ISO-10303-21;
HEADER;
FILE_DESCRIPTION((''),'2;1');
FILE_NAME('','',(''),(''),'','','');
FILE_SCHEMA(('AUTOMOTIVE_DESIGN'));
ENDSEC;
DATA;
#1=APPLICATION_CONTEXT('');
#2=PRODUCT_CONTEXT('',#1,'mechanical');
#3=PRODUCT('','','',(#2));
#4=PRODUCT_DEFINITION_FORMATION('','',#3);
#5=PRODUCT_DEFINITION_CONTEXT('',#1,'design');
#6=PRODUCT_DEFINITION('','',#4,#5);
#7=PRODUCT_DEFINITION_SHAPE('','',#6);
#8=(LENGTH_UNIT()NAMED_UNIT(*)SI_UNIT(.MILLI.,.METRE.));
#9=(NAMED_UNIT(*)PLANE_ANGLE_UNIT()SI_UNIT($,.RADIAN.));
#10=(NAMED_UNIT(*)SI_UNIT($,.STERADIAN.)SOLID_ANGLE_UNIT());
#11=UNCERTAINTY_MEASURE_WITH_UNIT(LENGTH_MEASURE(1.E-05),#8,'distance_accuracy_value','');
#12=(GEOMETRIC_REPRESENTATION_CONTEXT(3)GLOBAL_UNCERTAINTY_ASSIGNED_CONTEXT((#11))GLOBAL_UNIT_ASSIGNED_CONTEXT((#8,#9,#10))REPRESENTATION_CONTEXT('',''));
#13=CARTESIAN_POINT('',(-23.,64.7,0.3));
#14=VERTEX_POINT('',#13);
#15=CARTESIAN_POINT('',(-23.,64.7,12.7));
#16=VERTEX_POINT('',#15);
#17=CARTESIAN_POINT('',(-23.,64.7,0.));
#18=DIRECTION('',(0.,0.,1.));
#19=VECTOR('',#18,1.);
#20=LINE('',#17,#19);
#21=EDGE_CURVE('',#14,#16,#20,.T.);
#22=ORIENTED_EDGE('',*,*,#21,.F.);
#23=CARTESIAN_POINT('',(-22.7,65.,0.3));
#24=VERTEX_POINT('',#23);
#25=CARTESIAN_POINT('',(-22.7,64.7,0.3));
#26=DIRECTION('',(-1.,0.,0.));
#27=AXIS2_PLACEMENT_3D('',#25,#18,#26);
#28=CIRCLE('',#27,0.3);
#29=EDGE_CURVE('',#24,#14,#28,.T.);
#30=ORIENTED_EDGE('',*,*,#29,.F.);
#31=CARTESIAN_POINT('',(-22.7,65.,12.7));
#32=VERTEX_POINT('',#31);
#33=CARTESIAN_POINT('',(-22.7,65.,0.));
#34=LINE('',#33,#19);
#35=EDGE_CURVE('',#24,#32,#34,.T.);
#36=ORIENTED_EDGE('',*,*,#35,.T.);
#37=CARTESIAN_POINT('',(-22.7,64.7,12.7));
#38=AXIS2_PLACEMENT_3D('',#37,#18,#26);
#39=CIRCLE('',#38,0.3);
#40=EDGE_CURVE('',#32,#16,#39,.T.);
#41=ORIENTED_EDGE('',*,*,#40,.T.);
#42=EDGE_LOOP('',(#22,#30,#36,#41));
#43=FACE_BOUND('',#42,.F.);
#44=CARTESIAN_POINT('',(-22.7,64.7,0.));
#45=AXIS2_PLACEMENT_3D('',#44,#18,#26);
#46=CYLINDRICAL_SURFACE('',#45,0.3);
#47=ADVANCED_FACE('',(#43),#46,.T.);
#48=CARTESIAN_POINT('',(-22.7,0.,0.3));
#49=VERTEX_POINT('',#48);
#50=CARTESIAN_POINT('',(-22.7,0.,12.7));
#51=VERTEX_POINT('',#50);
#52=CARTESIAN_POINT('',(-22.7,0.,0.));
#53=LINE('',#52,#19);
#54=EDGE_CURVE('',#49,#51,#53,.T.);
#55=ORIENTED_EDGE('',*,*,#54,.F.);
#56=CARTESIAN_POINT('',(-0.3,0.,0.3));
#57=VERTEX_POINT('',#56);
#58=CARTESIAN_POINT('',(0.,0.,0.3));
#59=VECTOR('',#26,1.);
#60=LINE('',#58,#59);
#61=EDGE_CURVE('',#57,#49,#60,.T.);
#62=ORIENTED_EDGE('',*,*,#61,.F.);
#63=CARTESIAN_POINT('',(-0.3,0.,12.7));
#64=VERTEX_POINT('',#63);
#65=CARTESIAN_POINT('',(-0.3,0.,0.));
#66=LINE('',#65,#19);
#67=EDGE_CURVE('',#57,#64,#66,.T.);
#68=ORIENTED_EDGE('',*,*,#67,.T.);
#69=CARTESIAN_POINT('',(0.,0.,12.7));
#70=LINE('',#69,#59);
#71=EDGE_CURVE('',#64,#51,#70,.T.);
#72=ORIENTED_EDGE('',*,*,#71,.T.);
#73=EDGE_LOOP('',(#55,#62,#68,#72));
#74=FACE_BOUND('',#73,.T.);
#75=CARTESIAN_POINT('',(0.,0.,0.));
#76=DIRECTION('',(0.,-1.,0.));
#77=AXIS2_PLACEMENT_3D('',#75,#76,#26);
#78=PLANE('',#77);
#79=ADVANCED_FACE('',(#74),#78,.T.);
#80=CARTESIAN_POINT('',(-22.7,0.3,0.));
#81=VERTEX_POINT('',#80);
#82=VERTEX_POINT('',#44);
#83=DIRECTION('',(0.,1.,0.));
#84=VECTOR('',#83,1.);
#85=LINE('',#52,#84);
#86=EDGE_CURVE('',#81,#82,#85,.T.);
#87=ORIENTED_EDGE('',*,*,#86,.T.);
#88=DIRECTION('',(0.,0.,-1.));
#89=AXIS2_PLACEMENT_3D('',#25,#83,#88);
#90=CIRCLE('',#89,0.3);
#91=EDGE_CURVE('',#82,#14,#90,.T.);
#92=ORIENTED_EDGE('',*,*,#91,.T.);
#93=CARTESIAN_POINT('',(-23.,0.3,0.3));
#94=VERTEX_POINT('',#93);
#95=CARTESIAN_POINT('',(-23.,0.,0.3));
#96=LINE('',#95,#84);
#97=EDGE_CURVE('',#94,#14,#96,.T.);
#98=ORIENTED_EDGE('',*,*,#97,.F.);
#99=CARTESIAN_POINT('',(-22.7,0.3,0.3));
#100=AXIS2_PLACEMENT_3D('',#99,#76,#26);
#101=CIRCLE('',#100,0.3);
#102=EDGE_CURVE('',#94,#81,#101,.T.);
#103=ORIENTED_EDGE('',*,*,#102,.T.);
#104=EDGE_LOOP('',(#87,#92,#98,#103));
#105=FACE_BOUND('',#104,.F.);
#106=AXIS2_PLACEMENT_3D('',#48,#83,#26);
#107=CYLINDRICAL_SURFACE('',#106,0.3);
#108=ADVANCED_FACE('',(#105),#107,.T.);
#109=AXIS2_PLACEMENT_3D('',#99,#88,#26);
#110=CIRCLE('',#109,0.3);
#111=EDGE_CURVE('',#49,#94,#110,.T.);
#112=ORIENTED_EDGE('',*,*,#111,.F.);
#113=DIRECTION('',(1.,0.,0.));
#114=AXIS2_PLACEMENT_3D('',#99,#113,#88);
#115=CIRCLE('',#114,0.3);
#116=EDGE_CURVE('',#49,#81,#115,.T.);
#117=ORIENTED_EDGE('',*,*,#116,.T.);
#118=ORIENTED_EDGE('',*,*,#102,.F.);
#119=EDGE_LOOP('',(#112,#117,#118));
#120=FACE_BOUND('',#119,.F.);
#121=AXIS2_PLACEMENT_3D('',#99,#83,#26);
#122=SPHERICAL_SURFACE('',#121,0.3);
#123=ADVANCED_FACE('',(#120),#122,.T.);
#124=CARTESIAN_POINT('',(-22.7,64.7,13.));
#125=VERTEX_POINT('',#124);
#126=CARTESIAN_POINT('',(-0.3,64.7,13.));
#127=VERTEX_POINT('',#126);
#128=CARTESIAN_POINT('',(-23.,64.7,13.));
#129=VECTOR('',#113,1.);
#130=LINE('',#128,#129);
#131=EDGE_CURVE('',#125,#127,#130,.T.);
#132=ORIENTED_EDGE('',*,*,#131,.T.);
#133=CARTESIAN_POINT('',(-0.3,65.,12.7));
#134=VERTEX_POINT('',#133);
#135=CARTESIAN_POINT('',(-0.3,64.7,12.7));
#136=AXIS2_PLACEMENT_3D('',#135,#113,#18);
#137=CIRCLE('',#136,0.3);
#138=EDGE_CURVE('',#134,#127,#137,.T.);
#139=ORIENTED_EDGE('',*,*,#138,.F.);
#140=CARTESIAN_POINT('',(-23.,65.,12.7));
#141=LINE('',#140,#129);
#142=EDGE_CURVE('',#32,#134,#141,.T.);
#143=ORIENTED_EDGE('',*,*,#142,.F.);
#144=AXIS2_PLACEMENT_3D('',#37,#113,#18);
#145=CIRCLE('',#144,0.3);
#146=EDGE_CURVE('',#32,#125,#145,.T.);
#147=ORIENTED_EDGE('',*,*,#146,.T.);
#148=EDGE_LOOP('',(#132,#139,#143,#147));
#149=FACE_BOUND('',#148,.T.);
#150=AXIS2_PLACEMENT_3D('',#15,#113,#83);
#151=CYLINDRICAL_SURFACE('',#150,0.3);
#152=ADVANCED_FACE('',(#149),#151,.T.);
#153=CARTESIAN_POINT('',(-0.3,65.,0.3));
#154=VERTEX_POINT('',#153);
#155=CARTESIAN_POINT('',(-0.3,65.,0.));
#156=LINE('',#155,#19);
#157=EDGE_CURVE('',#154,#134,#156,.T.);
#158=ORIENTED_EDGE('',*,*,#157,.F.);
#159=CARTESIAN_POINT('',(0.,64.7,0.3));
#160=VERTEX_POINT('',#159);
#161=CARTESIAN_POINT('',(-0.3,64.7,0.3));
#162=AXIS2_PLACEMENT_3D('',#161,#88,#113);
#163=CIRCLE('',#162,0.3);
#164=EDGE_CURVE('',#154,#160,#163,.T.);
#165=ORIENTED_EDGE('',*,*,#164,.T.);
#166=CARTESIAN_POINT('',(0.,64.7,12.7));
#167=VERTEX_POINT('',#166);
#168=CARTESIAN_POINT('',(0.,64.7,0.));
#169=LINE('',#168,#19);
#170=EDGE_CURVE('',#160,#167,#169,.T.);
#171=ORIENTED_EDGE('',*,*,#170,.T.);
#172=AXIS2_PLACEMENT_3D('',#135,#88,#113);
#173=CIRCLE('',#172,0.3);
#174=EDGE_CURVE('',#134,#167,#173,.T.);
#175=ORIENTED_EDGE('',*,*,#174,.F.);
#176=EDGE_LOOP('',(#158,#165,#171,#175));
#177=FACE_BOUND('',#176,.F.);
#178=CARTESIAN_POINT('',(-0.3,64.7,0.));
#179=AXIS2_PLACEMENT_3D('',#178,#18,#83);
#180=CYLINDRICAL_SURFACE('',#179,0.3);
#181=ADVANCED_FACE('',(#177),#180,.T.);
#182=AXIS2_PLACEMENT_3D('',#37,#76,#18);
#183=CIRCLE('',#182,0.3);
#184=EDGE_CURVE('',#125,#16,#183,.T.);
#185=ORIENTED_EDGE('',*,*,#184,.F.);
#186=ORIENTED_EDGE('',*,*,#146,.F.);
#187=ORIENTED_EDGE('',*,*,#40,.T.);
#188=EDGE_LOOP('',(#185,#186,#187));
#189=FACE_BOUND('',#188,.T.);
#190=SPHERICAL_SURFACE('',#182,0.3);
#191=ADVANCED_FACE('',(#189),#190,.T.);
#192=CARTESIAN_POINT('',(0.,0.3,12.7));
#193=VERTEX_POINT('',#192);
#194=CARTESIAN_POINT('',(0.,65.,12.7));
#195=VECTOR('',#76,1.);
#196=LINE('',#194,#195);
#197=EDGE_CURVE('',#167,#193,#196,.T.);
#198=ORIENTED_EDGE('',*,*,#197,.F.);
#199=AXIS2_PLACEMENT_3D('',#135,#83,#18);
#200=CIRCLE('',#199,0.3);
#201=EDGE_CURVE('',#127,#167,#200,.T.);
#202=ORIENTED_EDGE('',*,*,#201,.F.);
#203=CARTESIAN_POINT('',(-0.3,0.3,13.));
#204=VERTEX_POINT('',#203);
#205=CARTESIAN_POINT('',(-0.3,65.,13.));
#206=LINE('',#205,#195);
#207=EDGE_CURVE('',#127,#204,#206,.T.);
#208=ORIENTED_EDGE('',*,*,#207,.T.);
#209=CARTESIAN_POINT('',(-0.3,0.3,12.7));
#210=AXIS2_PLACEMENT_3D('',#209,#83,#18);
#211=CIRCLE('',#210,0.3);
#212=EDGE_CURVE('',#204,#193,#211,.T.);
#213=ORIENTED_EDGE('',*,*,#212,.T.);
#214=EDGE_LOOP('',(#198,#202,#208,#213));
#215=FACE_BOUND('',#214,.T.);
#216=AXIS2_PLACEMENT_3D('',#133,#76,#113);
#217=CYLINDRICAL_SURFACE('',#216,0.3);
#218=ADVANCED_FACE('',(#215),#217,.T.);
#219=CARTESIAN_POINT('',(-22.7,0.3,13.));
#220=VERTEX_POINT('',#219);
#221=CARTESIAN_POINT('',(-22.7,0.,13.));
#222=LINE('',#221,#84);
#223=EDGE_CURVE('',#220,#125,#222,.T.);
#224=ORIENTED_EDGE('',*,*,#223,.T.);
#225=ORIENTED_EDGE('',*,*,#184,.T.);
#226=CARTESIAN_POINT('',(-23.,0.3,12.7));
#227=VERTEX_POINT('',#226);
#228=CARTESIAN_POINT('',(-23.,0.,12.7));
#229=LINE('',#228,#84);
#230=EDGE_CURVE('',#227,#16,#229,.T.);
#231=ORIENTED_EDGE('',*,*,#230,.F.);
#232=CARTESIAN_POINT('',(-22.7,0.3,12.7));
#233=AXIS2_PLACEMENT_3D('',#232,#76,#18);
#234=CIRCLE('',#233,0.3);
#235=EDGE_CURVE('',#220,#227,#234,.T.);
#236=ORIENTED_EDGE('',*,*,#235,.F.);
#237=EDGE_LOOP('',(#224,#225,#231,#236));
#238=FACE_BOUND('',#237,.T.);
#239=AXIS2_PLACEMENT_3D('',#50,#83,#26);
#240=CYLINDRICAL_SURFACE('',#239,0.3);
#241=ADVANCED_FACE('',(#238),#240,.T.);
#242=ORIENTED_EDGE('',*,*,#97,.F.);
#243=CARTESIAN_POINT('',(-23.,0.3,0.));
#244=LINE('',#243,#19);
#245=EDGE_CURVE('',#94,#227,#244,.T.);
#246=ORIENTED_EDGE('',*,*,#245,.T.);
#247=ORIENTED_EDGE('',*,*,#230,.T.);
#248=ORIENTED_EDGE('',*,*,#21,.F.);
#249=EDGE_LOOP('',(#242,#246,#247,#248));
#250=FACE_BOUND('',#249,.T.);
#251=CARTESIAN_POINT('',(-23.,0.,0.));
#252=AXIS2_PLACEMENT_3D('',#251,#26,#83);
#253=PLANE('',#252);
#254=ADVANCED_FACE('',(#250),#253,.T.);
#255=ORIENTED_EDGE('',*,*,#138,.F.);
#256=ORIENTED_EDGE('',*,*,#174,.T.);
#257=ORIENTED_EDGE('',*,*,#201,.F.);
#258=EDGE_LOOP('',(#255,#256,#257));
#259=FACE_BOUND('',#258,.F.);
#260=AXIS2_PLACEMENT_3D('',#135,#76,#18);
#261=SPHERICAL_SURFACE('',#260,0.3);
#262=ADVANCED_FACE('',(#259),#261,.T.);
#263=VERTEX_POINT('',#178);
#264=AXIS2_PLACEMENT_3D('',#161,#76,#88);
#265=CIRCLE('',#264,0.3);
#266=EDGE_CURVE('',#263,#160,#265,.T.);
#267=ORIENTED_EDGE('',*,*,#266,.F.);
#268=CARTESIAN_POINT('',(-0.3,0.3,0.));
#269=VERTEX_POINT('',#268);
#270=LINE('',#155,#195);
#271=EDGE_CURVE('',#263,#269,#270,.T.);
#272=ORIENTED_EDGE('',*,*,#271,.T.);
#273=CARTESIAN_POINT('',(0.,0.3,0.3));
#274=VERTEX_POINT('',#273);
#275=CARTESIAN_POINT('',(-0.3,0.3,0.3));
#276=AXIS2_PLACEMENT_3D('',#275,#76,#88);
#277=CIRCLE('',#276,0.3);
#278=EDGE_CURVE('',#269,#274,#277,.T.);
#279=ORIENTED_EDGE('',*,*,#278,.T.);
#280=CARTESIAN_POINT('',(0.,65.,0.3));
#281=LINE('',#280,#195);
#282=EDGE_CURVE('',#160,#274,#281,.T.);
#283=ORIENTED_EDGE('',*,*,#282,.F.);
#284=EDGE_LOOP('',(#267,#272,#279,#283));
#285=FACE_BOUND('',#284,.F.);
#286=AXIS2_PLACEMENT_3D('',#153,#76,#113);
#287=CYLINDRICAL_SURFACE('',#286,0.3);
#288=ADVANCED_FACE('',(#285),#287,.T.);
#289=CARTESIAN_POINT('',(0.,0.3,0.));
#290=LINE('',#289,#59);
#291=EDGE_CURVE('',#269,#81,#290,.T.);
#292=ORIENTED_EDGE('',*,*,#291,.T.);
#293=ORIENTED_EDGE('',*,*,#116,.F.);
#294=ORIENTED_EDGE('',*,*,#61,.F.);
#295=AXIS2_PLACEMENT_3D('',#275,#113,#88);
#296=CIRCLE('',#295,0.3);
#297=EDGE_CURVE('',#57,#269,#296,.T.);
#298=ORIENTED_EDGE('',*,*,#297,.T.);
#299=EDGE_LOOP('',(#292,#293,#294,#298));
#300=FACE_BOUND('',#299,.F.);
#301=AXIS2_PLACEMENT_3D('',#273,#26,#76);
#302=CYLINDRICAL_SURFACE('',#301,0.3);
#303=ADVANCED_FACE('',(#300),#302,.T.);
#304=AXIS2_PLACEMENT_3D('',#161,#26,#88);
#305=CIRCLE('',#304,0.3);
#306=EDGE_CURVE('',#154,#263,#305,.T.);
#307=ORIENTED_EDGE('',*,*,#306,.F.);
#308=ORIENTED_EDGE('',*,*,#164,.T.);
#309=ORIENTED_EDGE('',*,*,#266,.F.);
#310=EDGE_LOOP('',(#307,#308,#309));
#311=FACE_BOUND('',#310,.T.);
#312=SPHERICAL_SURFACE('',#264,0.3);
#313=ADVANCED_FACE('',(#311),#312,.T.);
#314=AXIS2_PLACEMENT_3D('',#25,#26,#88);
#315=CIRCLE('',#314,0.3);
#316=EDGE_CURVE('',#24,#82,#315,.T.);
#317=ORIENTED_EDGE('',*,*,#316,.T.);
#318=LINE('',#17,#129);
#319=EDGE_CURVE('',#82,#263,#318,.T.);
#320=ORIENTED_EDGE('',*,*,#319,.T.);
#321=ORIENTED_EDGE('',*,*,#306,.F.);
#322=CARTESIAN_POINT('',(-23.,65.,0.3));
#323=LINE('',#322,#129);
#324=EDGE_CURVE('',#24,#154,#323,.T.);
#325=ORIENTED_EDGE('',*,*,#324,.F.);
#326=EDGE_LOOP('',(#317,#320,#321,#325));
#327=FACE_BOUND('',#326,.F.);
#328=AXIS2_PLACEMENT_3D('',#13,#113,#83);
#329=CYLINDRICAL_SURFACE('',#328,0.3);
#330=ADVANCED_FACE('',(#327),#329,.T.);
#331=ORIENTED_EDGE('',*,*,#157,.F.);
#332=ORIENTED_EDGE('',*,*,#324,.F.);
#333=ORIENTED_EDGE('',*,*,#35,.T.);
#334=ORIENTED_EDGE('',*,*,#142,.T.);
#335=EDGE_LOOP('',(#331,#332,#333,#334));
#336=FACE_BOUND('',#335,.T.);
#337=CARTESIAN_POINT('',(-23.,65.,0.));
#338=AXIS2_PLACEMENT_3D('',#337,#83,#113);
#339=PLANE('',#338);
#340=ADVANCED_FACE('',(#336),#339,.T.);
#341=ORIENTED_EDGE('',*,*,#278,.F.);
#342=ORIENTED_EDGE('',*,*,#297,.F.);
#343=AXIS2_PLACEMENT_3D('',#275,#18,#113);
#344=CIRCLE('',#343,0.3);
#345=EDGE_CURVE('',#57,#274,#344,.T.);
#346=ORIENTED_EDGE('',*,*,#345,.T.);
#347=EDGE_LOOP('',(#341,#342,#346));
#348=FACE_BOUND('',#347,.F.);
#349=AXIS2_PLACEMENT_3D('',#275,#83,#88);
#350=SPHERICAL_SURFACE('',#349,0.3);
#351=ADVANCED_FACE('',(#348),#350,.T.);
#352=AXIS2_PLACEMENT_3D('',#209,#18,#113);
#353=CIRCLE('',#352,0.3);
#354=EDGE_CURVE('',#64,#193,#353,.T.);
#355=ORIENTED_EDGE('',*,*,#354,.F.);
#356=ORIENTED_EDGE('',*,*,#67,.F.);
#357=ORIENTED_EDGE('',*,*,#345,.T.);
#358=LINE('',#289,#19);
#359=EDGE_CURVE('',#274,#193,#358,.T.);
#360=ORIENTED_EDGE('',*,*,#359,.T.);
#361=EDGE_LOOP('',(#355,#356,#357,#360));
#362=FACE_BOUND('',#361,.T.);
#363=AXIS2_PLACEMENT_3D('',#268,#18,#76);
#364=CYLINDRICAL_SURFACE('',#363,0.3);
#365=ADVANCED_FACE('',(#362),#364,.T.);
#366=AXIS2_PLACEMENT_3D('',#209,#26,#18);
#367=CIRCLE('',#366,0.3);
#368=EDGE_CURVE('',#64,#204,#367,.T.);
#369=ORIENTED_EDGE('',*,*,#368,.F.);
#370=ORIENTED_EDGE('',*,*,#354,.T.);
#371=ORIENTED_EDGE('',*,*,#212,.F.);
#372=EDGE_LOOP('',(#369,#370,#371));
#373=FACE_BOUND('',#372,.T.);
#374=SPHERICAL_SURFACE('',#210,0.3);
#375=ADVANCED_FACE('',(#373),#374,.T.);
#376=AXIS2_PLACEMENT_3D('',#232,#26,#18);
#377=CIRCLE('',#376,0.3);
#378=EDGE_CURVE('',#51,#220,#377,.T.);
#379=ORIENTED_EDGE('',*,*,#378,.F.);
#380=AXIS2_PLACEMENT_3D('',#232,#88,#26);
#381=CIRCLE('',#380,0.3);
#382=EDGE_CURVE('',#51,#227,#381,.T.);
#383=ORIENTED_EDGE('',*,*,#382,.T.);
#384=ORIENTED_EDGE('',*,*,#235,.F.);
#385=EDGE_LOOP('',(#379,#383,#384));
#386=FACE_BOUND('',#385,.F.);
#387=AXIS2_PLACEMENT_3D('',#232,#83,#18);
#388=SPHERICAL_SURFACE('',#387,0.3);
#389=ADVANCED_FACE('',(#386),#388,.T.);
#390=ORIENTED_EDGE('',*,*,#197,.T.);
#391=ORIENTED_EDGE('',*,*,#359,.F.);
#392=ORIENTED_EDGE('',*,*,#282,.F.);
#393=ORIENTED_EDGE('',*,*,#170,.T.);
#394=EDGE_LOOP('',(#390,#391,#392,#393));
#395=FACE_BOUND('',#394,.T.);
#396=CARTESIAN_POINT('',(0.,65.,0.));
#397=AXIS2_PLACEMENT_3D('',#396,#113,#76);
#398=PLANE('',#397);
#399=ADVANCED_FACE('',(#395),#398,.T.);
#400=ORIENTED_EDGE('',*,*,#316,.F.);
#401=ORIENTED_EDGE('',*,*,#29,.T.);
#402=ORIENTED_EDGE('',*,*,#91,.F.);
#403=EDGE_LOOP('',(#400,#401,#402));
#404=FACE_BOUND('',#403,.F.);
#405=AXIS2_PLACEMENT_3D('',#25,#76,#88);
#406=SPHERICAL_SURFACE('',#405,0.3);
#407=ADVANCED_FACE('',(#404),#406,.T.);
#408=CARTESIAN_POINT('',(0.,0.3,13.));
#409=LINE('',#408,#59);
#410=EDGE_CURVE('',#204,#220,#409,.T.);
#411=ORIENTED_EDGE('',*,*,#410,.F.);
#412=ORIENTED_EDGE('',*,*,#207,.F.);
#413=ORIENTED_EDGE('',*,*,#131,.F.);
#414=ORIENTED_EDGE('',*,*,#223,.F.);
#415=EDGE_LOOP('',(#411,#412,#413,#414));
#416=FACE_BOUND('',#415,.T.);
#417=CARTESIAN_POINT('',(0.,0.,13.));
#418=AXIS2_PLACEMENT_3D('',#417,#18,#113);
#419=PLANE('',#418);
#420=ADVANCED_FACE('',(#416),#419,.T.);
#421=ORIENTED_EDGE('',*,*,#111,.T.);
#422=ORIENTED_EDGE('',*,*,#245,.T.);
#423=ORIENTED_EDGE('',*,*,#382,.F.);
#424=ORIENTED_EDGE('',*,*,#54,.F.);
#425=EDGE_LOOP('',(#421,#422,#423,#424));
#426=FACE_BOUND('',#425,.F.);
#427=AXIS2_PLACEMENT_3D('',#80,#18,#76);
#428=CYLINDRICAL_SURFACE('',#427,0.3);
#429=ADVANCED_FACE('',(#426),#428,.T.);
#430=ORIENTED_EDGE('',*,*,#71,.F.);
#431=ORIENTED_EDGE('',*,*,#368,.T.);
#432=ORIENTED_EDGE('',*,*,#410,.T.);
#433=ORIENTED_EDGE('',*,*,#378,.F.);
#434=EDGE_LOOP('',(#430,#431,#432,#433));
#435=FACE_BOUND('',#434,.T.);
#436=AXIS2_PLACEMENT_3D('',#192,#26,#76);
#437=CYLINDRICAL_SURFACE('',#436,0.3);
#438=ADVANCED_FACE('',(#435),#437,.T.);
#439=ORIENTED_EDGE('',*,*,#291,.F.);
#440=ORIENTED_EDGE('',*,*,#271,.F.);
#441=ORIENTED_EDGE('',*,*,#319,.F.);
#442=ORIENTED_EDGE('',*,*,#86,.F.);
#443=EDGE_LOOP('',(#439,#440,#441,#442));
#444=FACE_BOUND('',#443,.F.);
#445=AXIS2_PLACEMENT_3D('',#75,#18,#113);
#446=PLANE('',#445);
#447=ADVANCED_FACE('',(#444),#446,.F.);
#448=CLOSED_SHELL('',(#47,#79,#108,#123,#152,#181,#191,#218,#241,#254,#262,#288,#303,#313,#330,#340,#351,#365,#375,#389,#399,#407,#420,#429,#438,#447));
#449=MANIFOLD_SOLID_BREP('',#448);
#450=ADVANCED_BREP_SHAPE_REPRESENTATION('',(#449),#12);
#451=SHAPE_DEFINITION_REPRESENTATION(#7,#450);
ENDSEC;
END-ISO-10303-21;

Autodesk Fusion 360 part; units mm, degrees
sketch "Sketch1" plane through (0, 0, 0) normal (0, 0, 1) x (1, 0, 0)
  line L0 (0, 0) -> (-23, 0)
  line L1 (-23, 0) -> (-23, 65)
  line L2 (-23, 65) -> (0, 65)
  line L3 (0, 65) -> (0, 0)
  dimension "d1" = 23
  dimension "d2" = 65
extrude "Extrude1" add sketch "Sketch1" along normal blind 13
fillet "Fillet1" radius 0.3 12 edges at (0, 32.5, 13) (0, 32.5, 0) (-23, 32.5, 13) (-23, 32.5, 0) (-11.5, 0, 13) (-23, 0, 6.5) (-11.5, 0, 0) (0, 0, 6.5) (-11.5, 65, 13) (-11.5, 65, 0) (0, 65, 6.5) (-23, 65, 6.5)
